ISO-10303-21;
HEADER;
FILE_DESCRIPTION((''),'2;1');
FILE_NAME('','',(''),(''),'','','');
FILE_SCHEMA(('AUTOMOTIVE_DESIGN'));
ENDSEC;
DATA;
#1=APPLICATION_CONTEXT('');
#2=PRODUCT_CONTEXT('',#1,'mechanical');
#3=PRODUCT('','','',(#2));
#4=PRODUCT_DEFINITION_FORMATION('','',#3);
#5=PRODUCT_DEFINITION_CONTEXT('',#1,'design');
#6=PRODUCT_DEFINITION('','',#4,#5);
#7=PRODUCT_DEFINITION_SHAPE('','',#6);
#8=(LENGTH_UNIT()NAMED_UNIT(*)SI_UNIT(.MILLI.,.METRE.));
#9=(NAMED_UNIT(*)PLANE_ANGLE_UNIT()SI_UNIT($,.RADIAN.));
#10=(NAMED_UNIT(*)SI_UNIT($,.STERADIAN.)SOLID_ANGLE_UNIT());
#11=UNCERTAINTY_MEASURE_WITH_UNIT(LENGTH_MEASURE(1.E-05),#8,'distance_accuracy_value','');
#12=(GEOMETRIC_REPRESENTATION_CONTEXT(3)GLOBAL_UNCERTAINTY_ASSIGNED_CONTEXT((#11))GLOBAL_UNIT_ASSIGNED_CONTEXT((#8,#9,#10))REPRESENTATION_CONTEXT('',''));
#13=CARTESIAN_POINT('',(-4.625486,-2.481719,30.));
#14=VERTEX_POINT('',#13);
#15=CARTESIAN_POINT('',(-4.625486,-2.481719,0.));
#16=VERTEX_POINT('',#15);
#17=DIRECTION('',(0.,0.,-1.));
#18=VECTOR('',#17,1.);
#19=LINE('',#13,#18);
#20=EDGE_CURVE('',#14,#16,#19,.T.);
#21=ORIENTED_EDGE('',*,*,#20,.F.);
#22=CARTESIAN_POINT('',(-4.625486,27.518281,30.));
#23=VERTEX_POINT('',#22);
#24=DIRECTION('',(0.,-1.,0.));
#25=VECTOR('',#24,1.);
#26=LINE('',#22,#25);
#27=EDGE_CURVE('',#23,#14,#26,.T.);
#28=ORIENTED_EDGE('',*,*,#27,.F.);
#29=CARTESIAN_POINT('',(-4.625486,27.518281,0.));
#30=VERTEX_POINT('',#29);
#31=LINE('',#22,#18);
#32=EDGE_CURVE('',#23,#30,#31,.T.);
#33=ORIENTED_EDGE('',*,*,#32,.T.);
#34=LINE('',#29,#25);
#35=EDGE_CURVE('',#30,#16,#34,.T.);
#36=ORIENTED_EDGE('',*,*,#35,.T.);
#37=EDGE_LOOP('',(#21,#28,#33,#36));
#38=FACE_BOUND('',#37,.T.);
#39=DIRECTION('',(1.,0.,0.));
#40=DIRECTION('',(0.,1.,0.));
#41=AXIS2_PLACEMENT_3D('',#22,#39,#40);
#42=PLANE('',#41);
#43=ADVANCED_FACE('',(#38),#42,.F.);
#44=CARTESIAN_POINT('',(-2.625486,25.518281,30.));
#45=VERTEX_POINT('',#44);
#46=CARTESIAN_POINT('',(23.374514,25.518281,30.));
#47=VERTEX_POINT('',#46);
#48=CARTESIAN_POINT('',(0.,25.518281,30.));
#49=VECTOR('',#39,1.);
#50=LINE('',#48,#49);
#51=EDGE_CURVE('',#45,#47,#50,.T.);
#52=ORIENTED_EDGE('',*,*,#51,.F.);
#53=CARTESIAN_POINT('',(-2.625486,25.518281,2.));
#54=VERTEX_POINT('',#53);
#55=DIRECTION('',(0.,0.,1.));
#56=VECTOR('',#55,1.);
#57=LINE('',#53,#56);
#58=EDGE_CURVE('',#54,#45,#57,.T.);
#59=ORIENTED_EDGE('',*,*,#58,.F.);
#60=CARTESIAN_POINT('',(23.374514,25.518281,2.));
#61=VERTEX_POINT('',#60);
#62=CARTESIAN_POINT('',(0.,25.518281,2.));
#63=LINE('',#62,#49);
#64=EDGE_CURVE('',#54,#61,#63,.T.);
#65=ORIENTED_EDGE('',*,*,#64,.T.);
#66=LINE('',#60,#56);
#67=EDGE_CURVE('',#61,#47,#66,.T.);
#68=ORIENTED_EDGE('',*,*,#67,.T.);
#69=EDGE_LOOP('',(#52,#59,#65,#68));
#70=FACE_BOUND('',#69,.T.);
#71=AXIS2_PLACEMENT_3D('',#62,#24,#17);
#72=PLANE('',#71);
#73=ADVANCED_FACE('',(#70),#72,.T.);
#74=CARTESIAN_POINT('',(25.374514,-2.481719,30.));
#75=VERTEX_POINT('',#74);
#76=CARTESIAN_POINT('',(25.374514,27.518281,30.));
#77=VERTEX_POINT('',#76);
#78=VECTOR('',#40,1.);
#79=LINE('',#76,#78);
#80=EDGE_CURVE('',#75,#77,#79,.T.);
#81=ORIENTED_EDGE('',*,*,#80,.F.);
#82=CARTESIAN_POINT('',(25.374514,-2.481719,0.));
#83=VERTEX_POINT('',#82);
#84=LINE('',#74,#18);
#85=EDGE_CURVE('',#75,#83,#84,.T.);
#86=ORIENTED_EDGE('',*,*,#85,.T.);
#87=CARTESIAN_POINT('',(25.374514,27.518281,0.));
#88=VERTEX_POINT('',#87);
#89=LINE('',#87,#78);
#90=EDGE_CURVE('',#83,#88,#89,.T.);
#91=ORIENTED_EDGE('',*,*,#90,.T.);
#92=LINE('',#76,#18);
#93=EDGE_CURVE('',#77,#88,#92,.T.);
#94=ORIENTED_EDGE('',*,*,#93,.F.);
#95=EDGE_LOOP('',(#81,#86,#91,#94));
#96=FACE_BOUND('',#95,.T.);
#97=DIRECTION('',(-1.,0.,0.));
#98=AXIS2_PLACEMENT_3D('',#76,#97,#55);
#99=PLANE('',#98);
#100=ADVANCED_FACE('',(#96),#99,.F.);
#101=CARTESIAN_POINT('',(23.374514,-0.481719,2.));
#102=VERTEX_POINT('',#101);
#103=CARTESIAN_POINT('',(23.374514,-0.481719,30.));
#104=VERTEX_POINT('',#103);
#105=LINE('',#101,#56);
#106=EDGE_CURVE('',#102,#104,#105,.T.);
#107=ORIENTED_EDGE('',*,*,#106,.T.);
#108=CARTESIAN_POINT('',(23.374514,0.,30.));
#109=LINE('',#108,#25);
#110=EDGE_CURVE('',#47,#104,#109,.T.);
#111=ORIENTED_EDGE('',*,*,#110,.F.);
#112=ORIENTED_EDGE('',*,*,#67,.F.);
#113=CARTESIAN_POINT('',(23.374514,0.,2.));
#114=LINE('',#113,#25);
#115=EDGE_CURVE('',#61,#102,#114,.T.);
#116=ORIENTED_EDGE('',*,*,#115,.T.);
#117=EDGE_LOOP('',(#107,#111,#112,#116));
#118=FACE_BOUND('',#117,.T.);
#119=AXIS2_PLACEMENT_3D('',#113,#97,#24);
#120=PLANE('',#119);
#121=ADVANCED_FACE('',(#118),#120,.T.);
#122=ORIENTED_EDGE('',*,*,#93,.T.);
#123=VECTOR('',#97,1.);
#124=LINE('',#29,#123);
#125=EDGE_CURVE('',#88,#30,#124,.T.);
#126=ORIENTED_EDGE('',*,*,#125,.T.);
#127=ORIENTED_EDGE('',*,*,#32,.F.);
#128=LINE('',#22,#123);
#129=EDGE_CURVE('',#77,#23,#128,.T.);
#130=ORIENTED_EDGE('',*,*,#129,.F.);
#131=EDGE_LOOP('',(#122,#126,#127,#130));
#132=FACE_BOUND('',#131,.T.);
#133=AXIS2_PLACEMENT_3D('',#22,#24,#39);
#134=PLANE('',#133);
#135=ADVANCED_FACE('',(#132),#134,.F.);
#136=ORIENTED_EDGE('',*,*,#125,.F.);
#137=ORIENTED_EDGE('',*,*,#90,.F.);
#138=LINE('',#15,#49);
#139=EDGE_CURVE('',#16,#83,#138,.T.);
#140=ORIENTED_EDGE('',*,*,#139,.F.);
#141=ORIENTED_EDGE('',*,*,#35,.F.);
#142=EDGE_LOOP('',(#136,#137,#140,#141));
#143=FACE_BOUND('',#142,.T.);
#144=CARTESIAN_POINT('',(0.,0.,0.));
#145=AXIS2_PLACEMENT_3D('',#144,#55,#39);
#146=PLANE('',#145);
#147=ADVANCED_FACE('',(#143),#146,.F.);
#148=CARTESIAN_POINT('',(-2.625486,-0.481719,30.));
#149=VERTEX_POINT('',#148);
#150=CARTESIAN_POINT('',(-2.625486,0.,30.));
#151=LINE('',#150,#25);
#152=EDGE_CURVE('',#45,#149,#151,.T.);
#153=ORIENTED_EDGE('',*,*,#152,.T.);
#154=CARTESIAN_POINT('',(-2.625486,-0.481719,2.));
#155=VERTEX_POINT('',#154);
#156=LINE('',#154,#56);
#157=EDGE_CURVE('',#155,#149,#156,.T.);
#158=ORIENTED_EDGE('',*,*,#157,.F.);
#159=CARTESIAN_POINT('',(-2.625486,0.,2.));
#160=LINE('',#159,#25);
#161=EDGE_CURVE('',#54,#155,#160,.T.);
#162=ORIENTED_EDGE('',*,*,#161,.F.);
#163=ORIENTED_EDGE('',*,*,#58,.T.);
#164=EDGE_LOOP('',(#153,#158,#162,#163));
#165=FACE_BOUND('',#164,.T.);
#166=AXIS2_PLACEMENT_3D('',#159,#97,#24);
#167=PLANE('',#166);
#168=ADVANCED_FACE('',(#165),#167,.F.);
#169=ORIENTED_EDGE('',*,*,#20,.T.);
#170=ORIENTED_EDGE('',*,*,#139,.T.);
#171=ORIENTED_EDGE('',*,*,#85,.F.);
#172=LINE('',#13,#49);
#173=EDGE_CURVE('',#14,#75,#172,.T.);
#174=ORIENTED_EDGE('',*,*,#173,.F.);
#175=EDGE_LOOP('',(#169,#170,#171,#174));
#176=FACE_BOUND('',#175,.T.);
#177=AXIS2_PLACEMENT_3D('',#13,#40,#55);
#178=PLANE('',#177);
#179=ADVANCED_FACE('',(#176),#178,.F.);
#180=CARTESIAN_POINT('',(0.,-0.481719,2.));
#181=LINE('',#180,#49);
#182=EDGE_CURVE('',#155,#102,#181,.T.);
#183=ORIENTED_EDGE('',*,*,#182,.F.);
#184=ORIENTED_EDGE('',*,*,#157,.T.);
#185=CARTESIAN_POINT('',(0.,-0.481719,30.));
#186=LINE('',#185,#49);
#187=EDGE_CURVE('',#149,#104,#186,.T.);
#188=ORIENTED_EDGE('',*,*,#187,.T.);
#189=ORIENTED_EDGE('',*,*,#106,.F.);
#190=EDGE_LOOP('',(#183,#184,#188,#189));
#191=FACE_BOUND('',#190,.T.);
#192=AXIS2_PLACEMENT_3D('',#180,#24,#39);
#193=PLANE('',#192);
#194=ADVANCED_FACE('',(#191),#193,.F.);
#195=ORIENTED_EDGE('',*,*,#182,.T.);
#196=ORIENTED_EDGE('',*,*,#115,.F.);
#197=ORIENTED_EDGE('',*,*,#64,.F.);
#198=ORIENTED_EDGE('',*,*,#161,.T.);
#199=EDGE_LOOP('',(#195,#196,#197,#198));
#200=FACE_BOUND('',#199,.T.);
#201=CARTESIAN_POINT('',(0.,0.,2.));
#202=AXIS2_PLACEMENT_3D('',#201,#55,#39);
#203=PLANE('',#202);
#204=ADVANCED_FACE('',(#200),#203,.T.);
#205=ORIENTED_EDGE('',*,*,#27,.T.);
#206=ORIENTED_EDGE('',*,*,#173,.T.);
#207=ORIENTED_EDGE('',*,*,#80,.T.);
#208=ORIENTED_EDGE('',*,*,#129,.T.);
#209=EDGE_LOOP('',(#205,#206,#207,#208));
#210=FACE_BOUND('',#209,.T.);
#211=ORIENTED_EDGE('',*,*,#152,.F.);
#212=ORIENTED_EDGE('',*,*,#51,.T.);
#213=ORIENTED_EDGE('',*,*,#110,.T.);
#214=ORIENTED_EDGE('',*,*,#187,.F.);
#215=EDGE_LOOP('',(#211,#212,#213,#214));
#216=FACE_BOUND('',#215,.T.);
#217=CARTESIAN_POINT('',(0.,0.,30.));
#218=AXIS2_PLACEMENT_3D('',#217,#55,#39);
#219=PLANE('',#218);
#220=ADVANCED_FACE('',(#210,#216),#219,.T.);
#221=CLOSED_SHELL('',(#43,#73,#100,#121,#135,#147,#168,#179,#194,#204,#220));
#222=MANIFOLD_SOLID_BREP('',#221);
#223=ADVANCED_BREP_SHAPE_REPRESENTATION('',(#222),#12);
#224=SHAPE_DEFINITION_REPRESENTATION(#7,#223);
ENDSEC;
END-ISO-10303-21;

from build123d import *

# Parameters (mm, degrees)
SKETCH_1_W          = 30
SKETCH_1_H          = 30
EXTRUDE_1_DEPTH     = 30
SKETCH_2_W          = 26
SKETCH_2_H          = 26
CUT_EXTRUDE_2_DEPTH = 28


with BuildPart() as part:
    # 草图1 → 凸台-拉伸1 (new body)
    with BuildSketch(Plane.XY):
        with Locations((10.374514335, 12.518280569)):
            Rectangle(SKETCH_1_W, SKETCH_1_H)
    extrude(amount=EXTRUDE_1_DEPTH)

    # 草图2 → 切除-拉伸2 (cut)
    with BuildSketch(Plane.XY.offset(30)):
        with Locations((10.374514335, 12.518280569)):
            Rectangle(SKETCH_2_W, SKETCH_2_H)
    extrude(amount=-CUT_EXTRUDE_2_DEPTH, mode=Mode.SUBTRACT)


solid = part.part
